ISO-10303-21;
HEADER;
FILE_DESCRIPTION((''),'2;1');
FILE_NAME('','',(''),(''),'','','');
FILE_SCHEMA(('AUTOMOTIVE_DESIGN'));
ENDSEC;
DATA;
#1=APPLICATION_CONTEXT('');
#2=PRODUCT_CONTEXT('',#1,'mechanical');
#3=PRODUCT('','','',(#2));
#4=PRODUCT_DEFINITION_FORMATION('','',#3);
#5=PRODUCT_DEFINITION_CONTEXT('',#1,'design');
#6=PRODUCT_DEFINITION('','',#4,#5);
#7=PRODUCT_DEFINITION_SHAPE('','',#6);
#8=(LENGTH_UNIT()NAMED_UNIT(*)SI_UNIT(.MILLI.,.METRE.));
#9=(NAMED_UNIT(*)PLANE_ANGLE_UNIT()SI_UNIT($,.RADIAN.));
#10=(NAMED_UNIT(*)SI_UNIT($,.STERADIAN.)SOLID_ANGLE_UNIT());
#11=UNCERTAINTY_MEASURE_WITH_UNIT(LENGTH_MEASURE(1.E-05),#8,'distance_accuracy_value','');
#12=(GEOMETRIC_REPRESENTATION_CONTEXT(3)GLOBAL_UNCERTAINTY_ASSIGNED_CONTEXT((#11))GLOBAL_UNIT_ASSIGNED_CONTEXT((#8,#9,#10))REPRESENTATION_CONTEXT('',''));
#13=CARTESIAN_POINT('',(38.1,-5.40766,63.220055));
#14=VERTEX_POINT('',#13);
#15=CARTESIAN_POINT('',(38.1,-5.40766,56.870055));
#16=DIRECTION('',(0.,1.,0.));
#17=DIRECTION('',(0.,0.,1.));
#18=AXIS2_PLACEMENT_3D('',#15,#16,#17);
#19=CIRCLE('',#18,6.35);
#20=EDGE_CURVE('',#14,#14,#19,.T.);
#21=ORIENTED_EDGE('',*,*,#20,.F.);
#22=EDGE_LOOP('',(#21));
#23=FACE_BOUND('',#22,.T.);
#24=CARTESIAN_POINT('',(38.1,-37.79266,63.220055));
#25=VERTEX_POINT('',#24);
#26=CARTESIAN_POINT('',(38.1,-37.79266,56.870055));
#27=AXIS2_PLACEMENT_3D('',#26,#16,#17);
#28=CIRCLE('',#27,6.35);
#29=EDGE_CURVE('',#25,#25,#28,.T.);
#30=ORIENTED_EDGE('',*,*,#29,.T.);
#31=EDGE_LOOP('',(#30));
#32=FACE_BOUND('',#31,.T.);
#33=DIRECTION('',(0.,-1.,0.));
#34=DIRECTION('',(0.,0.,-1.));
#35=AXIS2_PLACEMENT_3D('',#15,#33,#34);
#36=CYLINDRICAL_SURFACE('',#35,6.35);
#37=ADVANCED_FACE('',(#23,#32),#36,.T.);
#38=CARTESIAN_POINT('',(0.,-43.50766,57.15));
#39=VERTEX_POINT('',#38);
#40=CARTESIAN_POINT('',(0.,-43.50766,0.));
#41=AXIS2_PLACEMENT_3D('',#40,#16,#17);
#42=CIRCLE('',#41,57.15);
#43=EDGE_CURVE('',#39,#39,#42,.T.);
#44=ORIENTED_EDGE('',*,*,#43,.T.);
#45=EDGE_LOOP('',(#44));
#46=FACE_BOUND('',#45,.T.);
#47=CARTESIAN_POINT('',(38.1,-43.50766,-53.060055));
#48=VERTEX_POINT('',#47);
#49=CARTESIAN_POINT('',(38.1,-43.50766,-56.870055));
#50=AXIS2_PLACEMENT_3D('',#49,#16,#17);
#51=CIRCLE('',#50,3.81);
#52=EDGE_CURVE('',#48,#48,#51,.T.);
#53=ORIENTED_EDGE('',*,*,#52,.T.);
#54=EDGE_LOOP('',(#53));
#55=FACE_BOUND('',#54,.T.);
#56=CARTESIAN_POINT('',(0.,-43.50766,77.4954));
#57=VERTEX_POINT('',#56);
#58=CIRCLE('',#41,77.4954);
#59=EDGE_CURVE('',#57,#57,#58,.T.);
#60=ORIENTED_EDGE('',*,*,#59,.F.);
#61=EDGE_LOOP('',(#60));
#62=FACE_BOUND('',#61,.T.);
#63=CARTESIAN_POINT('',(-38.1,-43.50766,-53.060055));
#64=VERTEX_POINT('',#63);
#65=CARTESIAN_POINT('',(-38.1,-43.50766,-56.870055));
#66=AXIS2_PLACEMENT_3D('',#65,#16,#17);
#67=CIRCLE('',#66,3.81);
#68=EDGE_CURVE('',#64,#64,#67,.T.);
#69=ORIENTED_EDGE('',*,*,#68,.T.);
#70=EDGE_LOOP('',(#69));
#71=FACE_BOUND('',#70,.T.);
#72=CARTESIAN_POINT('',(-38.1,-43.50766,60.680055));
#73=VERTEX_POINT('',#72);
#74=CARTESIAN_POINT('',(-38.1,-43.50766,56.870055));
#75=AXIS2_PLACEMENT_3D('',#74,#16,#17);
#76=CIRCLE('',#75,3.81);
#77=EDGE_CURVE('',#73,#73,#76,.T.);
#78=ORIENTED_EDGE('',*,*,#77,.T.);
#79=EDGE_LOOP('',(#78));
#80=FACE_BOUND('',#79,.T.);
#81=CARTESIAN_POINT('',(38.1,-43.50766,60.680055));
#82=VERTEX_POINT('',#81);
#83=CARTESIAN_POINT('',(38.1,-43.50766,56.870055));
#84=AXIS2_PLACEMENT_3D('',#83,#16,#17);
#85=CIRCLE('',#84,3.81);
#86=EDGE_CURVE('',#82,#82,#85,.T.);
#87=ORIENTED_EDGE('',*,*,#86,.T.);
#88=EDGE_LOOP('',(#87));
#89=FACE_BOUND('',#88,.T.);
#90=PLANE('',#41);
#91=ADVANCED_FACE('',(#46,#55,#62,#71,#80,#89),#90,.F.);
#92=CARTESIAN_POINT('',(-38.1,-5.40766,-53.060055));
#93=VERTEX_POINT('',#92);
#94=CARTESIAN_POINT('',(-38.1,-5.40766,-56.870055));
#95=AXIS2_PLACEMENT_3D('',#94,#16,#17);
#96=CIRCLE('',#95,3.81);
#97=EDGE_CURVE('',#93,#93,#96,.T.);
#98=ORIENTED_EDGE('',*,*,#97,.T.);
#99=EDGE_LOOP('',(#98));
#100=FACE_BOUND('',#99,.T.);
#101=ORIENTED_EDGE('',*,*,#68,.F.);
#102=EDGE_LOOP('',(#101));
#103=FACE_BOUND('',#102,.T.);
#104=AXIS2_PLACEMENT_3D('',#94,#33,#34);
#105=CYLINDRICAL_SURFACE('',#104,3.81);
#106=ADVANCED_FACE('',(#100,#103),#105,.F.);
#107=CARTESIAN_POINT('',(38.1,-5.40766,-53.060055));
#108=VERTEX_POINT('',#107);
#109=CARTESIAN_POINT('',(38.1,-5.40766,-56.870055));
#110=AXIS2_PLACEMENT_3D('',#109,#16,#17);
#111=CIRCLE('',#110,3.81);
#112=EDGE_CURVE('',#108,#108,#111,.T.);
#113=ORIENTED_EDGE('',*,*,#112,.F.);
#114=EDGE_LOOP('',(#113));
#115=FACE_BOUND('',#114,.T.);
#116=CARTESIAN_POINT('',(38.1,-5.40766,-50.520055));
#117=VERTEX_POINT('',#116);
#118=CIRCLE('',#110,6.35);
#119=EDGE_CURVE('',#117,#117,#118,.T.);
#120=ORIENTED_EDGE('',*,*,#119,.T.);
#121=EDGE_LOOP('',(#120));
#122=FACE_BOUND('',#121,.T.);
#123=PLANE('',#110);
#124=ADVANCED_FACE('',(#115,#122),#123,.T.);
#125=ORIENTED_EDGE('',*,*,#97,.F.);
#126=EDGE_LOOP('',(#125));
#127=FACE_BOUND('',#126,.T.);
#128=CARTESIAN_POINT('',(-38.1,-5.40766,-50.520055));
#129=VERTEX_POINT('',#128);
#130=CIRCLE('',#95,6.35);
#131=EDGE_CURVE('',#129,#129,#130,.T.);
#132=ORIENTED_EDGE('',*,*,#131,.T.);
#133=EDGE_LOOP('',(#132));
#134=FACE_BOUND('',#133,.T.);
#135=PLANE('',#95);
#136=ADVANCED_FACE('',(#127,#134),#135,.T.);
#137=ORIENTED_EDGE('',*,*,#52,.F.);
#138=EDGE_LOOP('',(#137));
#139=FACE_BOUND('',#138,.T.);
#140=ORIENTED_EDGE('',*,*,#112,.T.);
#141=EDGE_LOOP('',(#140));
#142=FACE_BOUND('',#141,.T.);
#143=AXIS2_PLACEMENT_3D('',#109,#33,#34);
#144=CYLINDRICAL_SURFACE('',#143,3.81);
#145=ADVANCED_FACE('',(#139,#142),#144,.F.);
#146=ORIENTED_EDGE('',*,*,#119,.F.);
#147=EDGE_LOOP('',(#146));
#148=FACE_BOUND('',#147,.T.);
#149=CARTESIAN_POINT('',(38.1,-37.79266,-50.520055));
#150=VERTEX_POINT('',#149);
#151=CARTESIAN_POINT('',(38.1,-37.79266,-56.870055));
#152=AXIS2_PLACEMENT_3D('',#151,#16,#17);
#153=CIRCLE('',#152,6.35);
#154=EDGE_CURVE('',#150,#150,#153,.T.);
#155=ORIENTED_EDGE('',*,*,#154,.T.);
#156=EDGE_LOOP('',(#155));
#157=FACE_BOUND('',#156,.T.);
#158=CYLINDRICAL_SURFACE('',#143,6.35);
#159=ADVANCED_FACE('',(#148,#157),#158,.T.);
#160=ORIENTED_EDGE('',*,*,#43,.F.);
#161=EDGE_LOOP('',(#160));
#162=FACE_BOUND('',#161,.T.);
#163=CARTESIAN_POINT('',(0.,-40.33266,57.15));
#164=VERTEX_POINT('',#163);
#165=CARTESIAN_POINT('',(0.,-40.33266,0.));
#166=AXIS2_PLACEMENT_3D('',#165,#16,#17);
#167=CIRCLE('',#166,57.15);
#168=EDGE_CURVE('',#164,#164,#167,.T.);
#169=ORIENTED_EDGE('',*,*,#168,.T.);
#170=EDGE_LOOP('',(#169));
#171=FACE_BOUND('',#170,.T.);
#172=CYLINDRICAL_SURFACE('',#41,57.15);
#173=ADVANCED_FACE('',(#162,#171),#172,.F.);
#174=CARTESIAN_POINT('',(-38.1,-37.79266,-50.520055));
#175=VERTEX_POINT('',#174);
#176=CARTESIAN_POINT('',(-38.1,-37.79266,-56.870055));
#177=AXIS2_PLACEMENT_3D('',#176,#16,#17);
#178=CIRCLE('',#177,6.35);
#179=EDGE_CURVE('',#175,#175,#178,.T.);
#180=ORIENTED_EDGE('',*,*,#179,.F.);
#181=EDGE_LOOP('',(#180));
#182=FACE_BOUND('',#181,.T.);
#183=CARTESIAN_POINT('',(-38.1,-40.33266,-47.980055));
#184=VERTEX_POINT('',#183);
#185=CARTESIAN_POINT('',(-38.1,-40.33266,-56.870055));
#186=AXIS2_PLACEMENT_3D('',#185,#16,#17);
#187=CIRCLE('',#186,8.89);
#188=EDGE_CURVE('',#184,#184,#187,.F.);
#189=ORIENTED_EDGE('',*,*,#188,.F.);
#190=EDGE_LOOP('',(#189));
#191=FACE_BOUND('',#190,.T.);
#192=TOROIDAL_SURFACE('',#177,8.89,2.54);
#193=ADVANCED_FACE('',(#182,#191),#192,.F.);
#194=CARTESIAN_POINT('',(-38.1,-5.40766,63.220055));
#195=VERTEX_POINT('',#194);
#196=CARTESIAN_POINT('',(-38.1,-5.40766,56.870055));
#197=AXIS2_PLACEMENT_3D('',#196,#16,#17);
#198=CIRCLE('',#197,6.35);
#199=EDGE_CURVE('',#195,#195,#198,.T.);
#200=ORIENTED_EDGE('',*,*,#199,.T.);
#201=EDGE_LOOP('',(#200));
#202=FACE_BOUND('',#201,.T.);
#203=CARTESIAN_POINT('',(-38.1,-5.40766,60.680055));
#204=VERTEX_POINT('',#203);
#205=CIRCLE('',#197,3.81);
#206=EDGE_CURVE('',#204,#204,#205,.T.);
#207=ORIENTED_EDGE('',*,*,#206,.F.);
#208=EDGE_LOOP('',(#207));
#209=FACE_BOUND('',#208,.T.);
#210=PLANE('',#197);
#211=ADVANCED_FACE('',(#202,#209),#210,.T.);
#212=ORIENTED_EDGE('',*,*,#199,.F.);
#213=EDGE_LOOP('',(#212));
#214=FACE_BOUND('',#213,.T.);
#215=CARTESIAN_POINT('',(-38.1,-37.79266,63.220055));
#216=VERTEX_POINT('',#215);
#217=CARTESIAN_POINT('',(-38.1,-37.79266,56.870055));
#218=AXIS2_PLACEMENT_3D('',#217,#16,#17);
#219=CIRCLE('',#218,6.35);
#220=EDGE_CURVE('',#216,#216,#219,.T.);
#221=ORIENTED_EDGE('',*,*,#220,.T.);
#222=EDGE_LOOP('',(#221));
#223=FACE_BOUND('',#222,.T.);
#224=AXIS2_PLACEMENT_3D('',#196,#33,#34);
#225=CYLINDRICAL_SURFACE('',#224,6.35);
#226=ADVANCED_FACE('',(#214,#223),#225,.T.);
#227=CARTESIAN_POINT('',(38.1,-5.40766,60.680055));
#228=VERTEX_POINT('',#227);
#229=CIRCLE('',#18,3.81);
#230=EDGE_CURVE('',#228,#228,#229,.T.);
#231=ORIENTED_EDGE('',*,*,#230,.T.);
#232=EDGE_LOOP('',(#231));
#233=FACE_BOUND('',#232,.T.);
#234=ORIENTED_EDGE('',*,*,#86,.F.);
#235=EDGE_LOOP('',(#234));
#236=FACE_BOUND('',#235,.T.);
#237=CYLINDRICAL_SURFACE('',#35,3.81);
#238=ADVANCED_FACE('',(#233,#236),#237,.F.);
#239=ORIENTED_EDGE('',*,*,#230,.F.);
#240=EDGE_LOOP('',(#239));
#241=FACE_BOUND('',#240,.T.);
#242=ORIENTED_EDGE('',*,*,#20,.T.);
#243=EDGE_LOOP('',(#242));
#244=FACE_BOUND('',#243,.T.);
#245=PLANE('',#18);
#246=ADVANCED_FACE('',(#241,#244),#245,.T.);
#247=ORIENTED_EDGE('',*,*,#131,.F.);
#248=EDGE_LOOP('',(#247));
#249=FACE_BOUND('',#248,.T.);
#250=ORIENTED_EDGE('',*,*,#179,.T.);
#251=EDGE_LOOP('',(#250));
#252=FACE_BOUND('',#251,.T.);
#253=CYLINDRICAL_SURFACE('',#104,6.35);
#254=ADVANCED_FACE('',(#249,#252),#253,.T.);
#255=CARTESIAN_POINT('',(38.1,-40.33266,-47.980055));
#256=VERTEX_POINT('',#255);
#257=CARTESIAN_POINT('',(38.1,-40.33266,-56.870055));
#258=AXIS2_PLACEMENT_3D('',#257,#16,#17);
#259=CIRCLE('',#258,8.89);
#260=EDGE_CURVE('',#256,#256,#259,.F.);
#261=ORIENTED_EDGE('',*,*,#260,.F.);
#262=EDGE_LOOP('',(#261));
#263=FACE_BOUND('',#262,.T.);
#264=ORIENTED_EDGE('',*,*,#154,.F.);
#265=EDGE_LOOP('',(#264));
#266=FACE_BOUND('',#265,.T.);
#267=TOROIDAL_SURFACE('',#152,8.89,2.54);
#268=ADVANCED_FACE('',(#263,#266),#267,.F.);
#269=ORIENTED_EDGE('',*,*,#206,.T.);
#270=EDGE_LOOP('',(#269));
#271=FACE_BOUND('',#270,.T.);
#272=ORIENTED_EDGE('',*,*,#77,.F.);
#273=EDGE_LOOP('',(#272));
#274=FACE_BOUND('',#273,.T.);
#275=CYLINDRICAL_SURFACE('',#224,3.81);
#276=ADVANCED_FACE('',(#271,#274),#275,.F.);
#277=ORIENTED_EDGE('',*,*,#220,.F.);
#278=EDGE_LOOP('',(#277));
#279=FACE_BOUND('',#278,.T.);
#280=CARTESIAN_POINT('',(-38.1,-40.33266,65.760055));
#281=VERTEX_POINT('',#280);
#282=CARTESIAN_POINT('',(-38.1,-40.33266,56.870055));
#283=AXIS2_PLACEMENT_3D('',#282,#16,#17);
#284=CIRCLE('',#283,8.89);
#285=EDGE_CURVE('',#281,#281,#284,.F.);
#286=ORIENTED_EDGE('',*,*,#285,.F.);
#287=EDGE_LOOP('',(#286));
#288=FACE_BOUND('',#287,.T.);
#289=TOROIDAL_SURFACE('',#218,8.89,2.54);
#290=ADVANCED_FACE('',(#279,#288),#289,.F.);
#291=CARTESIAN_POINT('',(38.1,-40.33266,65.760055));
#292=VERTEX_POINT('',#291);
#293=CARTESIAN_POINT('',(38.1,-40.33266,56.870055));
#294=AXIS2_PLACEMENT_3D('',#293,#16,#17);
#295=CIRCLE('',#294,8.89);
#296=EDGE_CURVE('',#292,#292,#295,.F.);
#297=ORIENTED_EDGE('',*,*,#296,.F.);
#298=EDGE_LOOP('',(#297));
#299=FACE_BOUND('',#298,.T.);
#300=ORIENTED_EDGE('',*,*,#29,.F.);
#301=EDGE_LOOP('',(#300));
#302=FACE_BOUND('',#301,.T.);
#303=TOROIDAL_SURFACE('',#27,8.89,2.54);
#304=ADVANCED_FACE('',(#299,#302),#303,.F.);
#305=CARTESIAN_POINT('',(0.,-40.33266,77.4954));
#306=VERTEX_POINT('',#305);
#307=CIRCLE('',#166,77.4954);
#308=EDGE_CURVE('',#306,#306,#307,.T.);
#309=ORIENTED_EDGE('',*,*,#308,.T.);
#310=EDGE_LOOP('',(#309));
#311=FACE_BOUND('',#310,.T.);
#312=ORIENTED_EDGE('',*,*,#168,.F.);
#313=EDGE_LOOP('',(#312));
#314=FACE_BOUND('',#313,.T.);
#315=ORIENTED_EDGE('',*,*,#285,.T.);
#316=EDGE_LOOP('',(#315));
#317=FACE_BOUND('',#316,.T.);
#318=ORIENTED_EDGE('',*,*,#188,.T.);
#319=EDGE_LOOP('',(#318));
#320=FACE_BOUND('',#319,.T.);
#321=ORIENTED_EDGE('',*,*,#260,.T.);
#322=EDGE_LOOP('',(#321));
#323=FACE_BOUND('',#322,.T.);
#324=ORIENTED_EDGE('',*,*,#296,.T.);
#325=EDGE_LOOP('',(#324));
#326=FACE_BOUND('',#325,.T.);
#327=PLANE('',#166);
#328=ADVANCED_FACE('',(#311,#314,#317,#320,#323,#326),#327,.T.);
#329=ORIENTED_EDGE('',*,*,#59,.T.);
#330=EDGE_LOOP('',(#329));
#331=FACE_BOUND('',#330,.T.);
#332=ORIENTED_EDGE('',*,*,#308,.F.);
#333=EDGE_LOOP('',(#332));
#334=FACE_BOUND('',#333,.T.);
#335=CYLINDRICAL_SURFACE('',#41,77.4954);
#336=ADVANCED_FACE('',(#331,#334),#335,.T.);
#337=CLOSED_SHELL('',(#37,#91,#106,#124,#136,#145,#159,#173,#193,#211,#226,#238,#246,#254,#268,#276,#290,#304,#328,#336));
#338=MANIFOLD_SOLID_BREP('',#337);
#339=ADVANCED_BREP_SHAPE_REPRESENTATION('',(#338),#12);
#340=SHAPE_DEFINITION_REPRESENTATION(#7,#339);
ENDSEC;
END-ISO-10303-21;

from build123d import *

# Parameters (mm, degrees)
SKETCH2_R             = 6.35
SKETCH2_R_2           = 3.81
BOSS_EXTRUDE1_DEPTH   = 34.925
BOSS_EXTRUDE1_2_DEPTH = 34.925
BOSS_EXTRUDE1_3_DEPTH = 34.925
BOSS_EXTRUDE1_4_DEPTH = 34.925
SKETCH1_R             = 77.4954
SKETCH1_R_2           = 57.15
BOSS_EXTRUDE2_DEPTH   = 3.175
SKETCH3_R             = 3.81
CUT_EXTRUDE1_DEPTH    = 4.175
FILLET1_R             = 2.54


with BuildPart() as part:
    # Sketch2 → Boss-Extrude1 (new body)
    with BuildSketch(Plane(origin=(0, -40.33266, 0), x_dir=(1, 0, 0), z_dir=(0, 1, 0))):
        with Locations((-38.1, 56.870055469)):
            Circle(SKETCH2_R)
        with Locations((-38.1, 56.870055469)):
            Circle(SKETCH2_R_2, mode=Mode.SUBTRACT)
    extrude(amount=BOSS_EXTRUDE1_DEPTH)



with BuildPart() as body_2:
    # Sketch2 → Boss-Extrude1 2 (new body)
    with BuildSketch(Plane(origin=(0, -40.33266, 0), x_dir=(1, 0, 0), z_dir=(0, 1, 0))):
        with Locations((38.1, 56.870055469)):
            Circle(SKETCH2_R)
        with Locations((38.1, 56.870055469)):
            Circle(SKETCH2_R_2, mode=Mode.SUBTRACT)
    extrude(amount=BOSS_EXTRUDE1_2_DEPTH)


with BuildPart() as body_3:
    # Sketch2 → Boss-Extrude1 3 (new body)
    with BuildSketch(Plane(origin=(0, -40.33266, 0), x_dir=(1, 0, 0), z_dir=(0, 1, 0))):
        with Locations((38.1, -56.870055469)):
            Circle(SKETCH2_R)
        with Locations((38.1, -56.870055469)):
            Circle(SKETCH2_R_2, mode=Mode.SUBTRACT)
    extrude(amount=BOSS_EXTRUDE1_3_DEPTH)


with BuildPart() as body_4:
    # Sketch2 → Boss-Extrude1 4 (new body)
    with BuildSketch(Plane(origin=(0, -40.33266, 0), x_dir=(1, 0, 0), z_dir=(0, 1, 0))):
        with Locations((-38.1, -56.870055469)):
            Circle(SKETCH2_R)
        with Locations((-38.1, -56.870055469)):
            Circle(SKETCH2_R_2, mode=Mode.SUBTRACT)
    extrude(amount=BOSS_EXTRUDE1_4_DEPTH)


with BuildPart() as part_1:
    add(part.part)

    add(body_2.part)  # Boss-Extrude2 merges body 2

    add(body_3.part)  # Boss-Extrude2 merges body 3

    add(body_4.part)  # Boss-Extrude2 merges body 4
    # Sketch1 → Boss-Extrude2 (add)
    with BuildSketch(Plane(origin=(0, -40.33266, 0), x_dir=(1, 0, 0), z_dir=(0, 1, 0))):
        Circle(SKETCH1_R)
        Circle(SKETCH1_R_2, mode=Mode.SUBTRACT)
    extrude(amount=-BOSS_EXTRUDE2_DEPTH)

    # Sketch3 → Cut-Extrude1 (cut, through all)
    with BuildSketch(Plane(origin=(0, -40.33266, 0), x_dir=(1, 0, 0), z_dir=(0, 1, 0))):
        with Locations((-38.1, -56.870055469)):
            Circle(SKETCH3_R)
        with Locations((38.1, -56.870055469)):
            Circle(SKETCH3_R)
        with Locations((38.1, 56.870055469)):
            Circle(SKETCH3_R)
        with Locations((-38.1, 56.870055469)):
            Circle(SKETCH3_R)
    extrude(amount=-CUT_EXTRUDE1_DEPTH, mode=Mode.SUBTRACT)

    # Fillet1
    fillet1_edges = [part_1.edges().sort_by_distance(p)[0] for p in [
        (-44.45, -40.33266, -56.870055469),
        (31.75, -40.33266, -56.870055469),
        (31.75, -40.33266, 56.870055469),
        (-44.45, -40.33266, 56.870055469),
    ]]
    fillet(fillet1_edges, radius=FILLET1_R)


solid = part_1.part
